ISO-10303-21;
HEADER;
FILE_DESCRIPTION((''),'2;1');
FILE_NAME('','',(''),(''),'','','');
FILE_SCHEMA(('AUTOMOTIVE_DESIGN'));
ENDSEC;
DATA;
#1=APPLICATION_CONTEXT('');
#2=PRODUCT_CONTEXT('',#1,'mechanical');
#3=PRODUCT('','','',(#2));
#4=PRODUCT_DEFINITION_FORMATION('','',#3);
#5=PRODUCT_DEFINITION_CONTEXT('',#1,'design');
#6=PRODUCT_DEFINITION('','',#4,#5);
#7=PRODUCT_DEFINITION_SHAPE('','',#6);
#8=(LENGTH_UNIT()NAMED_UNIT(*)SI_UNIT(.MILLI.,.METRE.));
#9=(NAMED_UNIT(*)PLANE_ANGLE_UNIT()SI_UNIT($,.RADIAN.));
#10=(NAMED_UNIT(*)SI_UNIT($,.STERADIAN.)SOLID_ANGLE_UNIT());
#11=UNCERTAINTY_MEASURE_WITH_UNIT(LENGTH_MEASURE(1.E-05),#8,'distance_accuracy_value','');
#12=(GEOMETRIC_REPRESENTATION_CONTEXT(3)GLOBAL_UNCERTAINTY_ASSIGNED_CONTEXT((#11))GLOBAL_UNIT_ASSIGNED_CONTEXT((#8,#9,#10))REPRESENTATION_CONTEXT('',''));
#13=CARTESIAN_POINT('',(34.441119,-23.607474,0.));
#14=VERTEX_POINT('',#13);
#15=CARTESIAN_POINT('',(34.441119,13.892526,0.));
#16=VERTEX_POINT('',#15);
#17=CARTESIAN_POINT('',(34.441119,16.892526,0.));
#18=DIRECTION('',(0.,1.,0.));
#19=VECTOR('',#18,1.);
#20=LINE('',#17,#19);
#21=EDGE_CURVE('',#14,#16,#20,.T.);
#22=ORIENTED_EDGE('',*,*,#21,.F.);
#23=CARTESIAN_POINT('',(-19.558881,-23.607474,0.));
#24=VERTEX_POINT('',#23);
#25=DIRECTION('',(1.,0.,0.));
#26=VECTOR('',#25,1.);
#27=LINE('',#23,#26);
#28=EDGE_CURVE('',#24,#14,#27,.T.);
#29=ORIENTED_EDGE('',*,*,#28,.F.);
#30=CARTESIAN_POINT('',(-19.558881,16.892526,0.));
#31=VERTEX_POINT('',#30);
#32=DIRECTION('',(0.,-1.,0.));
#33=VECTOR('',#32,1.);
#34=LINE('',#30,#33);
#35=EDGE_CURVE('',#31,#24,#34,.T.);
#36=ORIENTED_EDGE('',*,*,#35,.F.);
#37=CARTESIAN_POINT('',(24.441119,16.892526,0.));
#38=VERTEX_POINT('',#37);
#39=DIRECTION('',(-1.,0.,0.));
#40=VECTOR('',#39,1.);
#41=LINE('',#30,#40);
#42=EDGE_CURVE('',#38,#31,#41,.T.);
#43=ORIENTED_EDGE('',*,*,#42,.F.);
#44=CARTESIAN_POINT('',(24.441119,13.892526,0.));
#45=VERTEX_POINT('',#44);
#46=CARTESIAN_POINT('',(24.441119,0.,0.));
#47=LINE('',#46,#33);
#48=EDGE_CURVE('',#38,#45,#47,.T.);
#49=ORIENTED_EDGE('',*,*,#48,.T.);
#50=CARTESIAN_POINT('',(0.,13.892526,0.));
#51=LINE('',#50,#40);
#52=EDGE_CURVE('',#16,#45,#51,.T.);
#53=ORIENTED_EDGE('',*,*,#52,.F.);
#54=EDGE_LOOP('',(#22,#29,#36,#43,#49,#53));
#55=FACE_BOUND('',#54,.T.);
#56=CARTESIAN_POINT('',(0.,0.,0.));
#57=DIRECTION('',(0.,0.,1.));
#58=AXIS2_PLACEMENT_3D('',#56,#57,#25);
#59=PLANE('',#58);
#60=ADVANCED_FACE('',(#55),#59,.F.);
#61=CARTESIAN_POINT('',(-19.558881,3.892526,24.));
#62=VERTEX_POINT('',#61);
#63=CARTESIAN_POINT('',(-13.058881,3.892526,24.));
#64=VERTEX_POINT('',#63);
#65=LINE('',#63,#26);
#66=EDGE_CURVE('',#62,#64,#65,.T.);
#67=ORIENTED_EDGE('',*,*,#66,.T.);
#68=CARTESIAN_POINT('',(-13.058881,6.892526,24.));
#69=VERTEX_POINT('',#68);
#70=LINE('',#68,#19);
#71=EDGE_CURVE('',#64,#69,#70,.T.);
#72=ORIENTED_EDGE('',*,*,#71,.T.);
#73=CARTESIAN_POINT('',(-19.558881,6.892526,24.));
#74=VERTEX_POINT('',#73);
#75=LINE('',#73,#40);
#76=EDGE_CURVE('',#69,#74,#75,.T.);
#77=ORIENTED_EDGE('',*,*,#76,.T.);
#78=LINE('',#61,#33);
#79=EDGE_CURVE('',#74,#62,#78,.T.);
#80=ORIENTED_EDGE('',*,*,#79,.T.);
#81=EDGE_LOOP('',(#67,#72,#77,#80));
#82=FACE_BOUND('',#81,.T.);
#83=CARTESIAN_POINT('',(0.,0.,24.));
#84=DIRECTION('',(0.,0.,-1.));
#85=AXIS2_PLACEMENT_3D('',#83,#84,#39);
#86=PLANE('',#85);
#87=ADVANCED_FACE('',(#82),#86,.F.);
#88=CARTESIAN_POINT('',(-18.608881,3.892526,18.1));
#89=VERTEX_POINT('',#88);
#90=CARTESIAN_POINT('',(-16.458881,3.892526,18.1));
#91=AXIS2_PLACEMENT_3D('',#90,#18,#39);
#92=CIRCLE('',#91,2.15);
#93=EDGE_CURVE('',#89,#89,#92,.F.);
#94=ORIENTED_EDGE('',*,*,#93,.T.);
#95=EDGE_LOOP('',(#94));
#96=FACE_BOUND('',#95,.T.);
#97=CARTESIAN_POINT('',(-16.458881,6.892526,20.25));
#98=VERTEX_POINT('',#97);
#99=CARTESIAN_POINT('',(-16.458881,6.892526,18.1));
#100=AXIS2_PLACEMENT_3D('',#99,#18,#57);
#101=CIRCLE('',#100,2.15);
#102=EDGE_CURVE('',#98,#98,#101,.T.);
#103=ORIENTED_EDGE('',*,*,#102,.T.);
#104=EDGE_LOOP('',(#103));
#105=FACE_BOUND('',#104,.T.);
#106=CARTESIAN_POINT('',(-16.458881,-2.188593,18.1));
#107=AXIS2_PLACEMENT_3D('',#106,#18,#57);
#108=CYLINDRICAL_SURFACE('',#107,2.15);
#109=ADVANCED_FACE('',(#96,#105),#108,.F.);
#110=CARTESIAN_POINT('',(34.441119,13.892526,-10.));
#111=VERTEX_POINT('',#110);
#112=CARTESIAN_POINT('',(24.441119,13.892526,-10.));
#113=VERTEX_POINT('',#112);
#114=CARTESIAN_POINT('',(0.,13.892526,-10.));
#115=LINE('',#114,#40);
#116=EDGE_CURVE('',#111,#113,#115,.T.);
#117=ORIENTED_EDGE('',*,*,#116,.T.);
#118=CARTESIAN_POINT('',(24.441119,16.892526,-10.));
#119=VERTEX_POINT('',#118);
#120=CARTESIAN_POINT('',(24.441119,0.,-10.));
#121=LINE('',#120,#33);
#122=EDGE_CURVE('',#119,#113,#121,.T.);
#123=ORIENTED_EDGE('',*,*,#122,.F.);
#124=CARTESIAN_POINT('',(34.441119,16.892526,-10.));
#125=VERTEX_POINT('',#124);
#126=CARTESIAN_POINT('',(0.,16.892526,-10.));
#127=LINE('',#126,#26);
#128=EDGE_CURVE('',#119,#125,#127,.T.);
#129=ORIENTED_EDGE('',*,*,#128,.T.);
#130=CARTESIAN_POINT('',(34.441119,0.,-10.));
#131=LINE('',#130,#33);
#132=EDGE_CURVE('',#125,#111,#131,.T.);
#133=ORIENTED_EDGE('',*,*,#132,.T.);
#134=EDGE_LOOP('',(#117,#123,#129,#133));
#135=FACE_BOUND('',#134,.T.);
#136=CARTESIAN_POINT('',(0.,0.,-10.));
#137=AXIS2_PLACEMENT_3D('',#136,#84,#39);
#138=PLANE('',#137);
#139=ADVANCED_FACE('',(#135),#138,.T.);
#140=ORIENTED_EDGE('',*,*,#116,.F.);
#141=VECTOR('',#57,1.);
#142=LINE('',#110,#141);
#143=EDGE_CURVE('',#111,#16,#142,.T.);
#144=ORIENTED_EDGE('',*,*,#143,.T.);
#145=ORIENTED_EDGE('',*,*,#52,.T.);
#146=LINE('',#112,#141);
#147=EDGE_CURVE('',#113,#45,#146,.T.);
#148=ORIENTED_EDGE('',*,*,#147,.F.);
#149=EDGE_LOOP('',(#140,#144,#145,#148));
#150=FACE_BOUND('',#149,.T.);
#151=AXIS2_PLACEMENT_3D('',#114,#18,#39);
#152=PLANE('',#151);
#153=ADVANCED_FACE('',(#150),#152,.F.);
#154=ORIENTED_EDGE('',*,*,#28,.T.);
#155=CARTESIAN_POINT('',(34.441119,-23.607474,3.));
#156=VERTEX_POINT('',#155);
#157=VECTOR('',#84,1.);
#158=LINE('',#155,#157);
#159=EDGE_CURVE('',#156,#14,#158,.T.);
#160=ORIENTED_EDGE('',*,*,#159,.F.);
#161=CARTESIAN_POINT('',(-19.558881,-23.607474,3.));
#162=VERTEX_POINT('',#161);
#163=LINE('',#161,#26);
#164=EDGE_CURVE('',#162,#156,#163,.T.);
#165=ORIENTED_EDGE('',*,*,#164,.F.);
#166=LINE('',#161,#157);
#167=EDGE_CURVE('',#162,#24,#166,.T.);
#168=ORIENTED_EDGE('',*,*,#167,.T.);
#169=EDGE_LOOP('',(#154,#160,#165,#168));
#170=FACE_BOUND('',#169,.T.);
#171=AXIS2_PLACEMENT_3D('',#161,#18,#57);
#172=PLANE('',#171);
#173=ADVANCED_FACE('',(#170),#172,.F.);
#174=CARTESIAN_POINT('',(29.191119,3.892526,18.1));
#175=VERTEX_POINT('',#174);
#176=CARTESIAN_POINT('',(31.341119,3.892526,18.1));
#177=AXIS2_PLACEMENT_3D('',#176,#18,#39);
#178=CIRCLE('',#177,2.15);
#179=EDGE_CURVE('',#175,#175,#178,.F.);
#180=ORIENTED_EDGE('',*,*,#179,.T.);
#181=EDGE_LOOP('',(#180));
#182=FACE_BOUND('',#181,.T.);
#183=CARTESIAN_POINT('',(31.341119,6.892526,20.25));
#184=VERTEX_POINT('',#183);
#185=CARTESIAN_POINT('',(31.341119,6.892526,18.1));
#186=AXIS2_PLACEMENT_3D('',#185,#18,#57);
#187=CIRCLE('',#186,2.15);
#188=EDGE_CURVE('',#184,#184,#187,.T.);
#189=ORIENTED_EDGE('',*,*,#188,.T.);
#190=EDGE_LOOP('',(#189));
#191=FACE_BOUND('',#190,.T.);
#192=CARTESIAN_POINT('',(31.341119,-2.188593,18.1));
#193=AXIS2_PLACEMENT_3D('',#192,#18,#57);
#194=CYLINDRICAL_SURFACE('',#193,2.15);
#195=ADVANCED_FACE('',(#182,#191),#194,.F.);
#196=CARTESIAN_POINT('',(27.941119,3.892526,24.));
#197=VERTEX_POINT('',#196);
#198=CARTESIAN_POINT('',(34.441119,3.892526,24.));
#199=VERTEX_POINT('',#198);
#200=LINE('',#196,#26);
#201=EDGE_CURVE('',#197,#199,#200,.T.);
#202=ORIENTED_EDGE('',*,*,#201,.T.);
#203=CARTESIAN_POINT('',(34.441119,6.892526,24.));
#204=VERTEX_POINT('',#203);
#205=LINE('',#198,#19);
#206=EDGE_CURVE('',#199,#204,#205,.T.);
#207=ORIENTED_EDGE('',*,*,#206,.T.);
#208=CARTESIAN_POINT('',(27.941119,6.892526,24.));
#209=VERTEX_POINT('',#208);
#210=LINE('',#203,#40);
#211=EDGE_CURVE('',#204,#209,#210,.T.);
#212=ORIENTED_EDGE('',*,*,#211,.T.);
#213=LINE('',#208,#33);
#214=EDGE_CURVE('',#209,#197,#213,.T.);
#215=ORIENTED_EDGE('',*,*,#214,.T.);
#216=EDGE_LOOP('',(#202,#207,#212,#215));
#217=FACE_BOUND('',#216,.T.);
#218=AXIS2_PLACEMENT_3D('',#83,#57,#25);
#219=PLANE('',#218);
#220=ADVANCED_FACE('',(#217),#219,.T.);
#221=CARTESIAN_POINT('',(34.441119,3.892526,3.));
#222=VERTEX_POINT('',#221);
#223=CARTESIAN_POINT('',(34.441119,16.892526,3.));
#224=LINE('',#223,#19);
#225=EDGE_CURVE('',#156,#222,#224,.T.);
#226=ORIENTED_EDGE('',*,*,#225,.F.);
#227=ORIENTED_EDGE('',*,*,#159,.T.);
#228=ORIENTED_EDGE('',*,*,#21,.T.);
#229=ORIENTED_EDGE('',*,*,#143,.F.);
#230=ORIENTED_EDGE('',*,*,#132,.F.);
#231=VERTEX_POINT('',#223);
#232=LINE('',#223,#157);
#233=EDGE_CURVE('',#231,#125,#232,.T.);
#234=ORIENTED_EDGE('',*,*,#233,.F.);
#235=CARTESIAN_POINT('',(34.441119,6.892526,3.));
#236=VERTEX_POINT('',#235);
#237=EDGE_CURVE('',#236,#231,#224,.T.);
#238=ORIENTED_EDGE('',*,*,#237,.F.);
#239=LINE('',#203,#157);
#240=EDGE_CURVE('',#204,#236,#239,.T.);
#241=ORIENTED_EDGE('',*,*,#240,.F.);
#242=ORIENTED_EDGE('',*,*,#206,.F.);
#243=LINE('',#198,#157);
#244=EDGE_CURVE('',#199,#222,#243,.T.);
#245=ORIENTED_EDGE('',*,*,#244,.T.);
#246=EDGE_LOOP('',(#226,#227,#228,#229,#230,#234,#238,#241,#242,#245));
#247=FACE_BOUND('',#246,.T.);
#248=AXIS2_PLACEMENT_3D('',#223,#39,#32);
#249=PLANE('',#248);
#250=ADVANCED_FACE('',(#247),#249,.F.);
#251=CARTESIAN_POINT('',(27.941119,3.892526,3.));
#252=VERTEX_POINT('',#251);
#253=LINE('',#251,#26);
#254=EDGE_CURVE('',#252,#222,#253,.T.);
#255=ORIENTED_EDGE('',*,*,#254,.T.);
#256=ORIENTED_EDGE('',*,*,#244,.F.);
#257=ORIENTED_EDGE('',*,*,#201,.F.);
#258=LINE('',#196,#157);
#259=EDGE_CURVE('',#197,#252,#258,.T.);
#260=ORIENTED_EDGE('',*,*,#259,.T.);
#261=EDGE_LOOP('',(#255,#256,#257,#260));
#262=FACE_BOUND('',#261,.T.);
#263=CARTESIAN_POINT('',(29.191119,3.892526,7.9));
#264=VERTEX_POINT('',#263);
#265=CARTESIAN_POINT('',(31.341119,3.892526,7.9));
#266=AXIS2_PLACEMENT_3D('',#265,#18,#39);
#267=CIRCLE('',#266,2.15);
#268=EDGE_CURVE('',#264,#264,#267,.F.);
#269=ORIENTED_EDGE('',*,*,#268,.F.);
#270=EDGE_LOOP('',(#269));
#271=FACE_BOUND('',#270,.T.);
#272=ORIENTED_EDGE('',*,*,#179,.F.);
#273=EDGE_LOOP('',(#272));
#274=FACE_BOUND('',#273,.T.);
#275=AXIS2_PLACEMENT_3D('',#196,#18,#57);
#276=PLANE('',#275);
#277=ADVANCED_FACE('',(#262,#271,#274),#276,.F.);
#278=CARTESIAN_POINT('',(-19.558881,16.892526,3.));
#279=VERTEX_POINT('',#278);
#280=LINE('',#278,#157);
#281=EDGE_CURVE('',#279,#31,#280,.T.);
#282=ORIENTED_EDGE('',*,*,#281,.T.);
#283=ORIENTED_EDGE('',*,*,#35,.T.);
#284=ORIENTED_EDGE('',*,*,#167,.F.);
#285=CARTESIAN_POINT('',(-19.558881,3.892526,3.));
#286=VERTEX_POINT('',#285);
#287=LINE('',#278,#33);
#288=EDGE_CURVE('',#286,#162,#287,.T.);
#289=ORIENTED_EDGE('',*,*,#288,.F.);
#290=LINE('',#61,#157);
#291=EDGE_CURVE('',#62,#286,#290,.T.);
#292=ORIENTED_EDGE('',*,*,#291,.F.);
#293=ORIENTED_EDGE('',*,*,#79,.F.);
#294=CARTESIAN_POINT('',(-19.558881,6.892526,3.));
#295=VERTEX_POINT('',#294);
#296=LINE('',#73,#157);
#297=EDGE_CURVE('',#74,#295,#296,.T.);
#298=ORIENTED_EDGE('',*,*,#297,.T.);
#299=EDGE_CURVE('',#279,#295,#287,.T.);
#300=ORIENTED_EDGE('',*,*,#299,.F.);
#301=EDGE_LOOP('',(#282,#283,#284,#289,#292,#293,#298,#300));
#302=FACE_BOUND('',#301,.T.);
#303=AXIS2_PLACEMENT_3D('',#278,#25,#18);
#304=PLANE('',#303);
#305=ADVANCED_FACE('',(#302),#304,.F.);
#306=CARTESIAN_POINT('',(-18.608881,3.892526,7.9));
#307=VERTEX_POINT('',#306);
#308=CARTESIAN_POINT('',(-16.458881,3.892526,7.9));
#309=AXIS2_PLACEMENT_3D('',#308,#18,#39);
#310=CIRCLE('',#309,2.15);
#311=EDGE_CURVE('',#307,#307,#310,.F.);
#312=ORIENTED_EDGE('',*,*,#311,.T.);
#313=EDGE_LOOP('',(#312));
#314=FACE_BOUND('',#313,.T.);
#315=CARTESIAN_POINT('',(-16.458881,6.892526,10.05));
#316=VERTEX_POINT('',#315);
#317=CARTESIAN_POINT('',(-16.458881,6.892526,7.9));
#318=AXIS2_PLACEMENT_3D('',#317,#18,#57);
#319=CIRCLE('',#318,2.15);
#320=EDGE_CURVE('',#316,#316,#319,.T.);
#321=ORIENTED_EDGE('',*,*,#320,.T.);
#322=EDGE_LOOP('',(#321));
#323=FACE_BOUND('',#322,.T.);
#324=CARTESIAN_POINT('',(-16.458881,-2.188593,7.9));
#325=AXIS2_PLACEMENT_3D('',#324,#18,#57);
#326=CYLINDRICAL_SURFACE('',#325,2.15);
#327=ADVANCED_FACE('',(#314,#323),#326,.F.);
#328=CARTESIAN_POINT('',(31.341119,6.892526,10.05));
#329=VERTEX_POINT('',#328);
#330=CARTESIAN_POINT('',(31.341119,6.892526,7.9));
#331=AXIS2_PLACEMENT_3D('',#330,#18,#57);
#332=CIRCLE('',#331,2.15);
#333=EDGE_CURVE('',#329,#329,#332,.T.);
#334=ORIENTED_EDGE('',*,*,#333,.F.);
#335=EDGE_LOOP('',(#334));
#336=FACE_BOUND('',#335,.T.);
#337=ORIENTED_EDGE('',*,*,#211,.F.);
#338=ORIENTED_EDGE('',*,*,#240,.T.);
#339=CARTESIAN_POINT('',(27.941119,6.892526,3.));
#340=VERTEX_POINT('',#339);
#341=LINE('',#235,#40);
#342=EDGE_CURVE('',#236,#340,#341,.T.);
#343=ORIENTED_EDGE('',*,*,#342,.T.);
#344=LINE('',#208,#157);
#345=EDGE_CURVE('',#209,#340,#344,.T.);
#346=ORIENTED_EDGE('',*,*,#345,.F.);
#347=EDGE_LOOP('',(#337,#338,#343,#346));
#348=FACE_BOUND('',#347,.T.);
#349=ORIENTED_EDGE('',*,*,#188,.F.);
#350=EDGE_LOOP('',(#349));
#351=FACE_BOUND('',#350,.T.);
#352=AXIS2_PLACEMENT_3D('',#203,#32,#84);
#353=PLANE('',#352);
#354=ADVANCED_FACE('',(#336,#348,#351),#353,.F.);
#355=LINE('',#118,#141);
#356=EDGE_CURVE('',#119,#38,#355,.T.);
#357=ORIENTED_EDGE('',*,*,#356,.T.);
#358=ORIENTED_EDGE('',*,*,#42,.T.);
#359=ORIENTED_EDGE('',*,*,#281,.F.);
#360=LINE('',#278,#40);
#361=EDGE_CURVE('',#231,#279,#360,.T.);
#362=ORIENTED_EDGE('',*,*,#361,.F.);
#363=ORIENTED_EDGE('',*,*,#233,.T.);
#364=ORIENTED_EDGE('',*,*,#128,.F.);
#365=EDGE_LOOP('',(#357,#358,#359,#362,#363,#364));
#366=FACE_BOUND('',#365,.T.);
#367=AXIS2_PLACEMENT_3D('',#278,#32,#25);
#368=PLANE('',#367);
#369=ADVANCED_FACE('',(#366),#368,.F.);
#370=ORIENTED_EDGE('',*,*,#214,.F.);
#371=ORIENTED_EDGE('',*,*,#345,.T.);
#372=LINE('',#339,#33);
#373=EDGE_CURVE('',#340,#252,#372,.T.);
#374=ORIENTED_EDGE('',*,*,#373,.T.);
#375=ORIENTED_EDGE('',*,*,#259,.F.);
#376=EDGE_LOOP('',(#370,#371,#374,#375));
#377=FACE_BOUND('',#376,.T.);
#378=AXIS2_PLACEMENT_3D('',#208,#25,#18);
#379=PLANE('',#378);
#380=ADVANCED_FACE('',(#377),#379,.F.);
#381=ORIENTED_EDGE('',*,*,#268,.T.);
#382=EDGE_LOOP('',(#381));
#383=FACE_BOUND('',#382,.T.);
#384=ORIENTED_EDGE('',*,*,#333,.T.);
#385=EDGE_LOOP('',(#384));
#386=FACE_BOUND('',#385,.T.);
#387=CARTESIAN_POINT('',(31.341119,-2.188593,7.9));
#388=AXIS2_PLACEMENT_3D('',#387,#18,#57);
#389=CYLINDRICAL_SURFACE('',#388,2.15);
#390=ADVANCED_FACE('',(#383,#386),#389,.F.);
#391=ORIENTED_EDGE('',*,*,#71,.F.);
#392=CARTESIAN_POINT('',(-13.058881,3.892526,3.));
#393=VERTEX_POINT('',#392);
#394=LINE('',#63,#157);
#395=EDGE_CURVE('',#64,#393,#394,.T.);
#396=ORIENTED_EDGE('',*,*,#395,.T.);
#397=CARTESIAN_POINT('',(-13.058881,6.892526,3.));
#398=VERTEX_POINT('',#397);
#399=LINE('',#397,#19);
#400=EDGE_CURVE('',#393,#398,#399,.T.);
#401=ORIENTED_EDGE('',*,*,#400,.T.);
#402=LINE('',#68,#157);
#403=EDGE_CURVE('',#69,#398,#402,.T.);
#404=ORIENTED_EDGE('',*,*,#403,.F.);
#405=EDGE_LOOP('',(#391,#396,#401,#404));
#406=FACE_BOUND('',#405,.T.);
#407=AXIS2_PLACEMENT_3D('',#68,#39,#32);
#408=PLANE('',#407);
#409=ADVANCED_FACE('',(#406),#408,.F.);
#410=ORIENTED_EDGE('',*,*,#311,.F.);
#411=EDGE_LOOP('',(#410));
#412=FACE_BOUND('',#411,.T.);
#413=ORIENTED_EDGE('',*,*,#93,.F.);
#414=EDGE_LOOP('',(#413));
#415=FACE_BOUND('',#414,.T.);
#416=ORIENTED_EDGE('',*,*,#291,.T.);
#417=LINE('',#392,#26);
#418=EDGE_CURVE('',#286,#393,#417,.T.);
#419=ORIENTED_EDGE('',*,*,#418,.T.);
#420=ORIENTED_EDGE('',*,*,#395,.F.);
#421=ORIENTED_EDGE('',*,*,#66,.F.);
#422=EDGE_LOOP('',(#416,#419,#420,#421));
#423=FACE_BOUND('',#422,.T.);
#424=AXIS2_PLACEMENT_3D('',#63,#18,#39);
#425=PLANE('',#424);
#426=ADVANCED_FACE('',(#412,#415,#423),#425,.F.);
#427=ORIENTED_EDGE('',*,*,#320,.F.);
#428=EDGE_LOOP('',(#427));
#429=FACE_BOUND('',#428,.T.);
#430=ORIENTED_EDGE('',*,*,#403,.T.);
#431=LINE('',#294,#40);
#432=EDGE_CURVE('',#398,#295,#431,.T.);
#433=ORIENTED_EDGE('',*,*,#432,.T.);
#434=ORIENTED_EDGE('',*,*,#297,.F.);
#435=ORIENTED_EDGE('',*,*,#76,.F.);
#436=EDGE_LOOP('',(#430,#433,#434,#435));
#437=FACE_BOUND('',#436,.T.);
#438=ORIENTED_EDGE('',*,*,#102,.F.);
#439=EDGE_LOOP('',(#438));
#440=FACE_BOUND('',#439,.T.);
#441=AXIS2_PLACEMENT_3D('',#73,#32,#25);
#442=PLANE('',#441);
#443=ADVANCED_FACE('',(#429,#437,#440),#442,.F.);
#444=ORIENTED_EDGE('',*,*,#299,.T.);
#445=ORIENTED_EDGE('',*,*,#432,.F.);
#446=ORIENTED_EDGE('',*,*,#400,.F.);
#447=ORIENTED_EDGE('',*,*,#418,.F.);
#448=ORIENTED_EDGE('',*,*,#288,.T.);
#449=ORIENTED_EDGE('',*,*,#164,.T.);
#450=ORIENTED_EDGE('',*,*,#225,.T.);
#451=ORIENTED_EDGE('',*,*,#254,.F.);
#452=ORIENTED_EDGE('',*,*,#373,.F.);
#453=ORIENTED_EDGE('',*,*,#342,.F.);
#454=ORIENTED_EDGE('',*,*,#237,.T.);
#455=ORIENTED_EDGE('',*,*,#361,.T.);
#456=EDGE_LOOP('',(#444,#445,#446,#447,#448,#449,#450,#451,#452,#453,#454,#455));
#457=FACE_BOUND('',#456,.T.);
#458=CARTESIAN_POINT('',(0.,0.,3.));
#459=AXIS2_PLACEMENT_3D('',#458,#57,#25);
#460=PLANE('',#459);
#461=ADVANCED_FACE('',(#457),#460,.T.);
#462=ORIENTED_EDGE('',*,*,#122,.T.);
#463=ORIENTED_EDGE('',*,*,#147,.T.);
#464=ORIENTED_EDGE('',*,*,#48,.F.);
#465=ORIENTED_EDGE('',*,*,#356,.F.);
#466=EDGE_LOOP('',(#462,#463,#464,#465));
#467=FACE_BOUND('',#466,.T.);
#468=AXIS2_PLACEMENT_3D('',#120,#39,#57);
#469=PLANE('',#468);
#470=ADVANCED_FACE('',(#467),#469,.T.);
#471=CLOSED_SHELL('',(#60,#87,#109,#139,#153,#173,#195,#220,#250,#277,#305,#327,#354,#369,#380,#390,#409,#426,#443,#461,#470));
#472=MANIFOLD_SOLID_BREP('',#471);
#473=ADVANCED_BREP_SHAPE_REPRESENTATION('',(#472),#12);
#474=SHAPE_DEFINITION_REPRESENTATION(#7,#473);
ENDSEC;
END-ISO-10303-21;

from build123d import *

# Parameters (mm, degrees)
SKETCH1_W           = 54
SKETCH1_H           = 40.5
BOSS_EXTRUDE1_DEPTH = 3
SKETCH3_W           = 6.5
SKETCH3_H           = 3
BOSS_EXTRUDE2_DEPTH = 21
SKETCH4_W           = 10
SKETCH4_H           = 3
BOSS_EXTRUDE3_DEPTH = 10
SKETCH5_R           = 2.15
CUT_EXTRUDE1_DEPTH  = 3


with BuildPart() as part:
    # Sketch1 → Boss-Extrude1 (new body)
    with BuildSketch(Plane.XY):
        with Locations((7.441119081, -3.357474474)):
            Rectangle(SKETCH1_W, SKETCH1_H)
    extrude(amount=BOSS_EXTRUDE1_DEPTH)

    # Sketch3 → Boss-Extrude2 (add)
    with BuildSketch(Plane.XY.offset(3)):
        with Locations((31.191119081, 5.392525526)):
            Rectangle(SKETCH3_W, SKETCH3_H)
        with Locations((-16.308880919, 5.392525526)):
            Rectangle(SKETCH3_W, SKETCH3_H)
    extrude(amount=BOSS_EXTRUDE2_DEPTH)

    # Sketch4 → Boss-Extrude3 (add)
    with BuildSketch(Plane(origin=(0, 0, 0), x_dir=(-1, 0, 0), z_dir=(0, 0, -1))):
        with Locations((-29.441119081, 15.392525526)):
            Rectangle(SKETCH4_W, SKETCH4_H)
    extrude(amount=BOSS_EXTRUDE3_DEPTH)

    # Sketch5 → Cut-Extrude1 (cut)
    with BuildSketch(Plane(origin=(0, 6.892525526, 0), x_dir=(1, 0, 0), z_dir=(0, 1, 0))):
        with Locations(Location((31.341119081, -18.1, 0), (0, 0, 270))):
            Circle(SKETCH5_R)
        with Locations(Location((31.341119081, -7.9, 0), (0, 0, 270))):
            Circle(SKETCH5_R)
        with Locations(Location((-16.458880919, -18.1, 0), (0, 0, 270))):
            Circle(SKETCH5_R)
        with Locations(Location((-16.458880919, -7.9, 0), (0, 0, 270))):
            Circle(SKETCH5_R)
    extrude(amount=-CUT_EXTRUDE1_DEPTH, mode=Mode.SUBTRACT)


solid = part.part
